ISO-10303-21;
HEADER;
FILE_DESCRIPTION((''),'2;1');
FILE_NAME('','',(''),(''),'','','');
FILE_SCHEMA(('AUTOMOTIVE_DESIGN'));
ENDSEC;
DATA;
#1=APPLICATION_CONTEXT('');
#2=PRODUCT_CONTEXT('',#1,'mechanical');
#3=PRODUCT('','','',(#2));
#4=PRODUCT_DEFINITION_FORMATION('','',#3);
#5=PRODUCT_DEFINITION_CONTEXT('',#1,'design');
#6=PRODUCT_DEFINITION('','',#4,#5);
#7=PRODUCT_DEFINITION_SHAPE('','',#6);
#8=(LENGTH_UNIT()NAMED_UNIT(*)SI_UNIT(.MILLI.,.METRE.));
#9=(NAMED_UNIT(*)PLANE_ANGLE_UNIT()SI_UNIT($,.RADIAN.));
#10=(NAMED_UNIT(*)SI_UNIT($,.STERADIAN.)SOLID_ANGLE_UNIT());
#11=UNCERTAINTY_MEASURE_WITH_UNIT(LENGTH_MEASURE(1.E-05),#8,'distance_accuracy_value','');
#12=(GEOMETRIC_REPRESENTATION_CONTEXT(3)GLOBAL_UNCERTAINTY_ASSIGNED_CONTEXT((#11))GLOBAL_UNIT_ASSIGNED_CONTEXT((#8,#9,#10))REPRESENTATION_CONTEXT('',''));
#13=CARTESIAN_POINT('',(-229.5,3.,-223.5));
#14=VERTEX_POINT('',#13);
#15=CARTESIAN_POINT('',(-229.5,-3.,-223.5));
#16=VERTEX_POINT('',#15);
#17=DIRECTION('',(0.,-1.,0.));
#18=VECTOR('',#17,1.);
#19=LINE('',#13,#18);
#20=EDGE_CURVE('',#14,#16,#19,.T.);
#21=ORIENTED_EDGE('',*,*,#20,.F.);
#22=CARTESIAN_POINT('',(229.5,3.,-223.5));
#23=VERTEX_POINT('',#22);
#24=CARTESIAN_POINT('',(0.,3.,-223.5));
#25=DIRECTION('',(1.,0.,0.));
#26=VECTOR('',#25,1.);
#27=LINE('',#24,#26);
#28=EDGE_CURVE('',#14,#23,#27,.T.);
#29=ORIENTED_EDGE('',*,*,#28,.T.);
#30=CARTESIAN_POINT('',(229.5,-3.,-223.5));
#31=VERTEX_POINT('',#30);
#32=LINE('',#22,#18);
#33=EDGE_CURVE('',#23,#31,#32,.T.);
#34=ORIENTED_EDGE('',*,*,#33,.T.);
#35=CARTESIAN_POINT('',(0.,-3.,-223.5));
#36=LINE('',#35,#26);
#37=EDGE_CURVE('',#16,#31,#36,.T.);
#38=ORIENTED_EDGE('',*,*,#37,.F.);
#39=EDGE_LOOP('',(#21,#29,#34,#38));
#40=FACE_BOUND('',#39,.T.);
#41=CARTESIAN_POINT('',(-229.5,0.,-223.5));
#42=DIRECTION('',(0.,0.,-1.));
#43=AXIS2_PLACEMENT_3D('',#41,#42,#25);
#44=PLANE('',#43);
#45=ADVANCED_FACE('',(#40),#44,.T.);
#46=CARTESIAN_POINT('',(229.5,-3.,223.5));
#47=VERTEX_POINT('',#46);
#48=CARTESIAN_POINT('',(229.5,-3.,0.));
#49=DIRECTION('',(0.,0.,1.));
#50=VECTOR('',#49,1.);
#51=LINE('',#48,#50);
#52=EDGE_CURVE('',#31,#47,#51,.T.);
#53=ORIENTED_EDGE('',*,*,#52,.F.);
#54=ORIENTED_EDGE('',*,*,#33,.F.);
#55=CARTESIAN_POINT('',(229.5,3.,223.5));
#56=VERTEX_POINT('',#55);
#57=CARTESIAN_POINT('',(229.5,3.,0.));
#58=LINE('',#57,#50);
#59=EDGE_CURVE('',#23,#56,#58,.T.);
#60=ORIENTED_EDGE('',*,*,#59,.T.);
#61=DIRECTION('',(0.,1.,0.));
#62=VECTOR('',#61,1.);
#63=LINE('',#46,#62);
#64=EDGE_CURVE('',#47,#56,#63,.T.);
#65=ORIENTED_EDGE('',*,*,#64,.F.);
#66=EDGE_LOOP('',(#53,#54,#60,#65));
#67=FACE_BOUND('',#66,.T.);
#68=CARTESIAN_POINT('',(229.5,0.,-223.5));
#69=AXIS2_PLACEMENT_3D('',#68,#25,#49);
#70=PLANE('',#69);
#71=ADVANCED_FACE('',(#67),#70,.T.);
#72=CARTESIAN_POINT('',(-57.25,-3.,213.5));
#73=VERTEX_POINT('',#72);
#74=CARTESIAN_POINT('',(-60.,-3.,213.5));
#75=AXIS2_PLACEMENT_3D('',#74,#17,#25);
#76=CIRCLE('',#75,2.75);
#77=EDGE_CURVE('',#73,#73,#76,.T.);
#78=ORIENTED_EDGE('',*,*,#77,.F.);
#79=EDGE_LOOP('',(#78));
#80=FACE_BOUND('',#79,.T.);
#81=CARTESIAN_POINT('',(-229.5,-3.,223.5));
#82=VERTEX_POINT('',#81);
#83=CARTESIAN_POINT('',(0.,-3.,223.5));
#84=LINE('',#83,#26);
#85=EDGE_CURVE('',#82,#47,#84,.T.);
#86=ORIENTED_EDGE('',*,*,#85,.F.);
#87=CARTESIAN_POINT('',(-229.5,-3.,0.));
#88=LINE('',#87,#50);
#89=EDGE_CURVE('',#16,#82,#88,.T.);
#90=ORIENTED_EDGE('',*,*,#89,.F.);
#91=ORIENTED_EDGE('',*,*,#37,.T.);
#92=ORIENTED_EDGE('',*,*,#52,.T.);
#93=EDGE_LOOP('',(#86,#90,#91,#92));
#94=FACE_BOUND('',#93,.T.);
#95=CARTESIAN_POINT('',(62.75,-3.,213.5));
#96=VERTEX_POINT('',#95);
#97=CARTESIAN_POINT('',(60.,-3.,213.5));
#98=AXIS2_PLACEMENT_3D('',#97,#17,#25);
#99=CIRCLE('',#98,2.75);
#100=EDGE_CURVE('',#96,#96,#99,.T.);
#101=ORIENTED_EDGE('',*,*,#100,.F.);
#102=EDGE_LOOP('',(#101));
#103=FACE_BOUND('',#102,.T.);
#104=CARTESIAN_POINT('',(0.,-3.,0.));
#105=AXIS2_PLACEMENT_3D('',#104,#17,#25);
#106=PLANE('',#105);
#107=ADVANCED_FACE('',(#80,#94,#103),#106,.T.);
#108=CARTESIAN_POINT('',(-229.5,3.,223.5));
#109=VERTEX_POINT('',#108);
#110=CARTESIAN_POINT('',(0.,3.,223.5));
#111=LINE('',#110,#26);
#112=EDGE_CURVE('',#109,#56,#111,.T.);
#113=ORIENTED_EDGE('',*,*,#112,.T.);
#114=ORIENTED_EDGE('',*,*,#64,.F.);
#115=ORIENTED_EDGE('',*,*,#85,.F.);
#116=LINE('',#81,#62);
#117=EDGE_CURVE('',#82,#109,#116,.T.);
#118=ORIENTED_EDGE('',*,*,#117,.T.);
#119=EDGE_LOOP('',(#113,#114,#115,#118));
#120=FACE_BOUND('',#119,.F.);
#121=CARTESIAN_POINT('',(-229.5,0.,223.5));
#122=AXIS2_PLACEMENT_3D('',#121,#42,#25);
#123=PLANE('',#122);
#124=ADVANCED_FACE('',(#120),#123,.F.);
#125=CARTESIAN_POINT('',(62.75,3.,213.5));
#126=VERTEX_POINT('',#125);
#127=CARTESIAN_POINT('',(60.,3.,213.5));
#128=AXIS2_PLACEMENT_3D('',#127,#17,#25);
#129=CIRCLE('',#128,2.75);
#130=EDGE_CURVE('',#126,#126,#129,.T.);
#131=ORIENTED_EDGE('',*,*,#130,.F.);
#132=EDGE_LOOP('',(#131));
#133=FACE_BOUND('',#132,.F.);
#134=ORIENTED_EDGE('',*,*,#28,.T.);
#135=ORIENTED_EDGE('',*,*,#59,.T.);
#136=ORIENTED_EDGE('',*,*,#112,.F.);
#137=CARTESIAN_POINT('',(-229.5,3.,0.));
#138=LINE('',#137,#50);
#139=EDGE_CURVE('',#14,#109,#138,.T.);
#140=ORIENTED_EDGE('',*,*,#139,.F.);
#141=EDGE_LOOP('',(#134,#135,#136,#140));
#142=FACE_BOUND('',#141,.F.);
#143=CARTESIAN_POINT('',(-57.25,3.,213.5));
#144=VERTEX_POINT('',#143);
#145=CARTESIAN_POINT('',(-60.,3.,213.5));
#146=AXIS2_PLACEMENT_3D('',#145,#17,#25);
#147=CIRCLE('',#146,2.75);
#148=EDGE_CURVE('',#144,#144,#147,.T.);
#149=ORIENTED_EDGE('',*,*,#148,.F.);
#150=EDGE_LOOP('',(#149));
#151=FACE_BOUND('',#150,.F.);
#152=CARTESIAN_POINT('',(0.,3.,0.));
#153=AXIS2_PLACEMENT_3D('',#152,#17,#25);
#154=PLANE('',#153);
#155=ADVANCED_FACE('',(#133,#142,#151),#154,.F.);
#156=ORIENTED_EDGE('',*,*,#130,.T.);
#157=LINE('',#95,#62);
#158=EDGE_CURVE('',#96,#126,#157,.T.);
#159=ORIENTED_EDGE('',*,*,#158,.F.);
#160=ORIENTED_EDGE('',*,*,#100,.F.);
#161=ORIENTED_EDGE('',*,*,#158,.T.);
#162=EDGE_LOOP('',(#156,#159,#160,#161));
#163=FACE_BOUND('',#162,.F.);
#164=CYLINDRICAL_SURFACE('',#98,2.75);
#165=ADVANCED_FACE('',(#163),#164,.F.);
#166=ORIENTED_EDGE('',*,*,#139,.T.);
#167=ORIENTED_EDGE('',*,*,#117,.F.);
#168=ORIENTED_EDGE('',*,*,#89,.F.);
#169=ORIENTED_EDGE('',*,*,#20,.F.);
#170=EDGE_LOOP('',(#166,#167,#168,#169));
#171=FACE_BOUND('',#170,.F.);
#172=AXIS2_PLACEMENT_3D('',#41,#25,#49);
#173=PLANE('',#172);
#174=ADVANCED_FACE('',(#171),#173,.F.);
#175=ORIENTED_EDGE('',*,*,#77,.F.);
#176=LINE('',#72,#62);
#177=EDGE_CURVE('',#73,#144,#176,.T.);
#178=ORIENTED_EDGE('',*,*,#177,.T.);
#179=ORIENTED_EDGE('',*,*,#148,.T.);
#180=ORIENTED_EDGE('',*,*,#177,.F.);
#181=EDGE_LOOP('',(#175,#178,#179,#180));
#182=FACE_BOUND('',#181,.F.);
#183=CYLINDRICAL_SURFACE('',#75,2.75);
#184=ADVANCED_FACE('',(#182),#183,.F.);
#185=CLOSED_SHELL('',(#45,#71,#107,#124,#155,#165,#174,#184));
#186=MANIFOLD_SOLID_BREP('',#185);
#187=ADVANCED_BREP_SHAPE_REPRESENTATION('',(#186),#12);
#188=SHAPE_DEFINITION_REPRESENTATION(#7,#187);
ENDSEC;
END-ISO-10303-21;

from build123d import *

# Parameters (mm, degrees)
F0_W     = 459
F0_H     = 447
F1_DEPTH = 3
F2_R     = 2.75
F3_DEPTH = 25


with BuildPart() as f1:
    # F0 (on Front) → F1 (new body, symmetric)
    with BuildSketch(Plane.XZ):
        Rectangle(F0_W, F0_H)
    extrude(amount=F1_DEPTH, both=True)

    # F2 (on face) → F3 (cut)
    with BuildSketch(Plane.XZ.offset(3)):
        with Locations((-60, 213.5)):
            Circle(F2_R)
        with Locations((60, 213.5)):
            Circle(F2_R)
    extrude(amount=-F3_DEPTH, mode=Mode.SUBTRACT)


solid = f1.part
